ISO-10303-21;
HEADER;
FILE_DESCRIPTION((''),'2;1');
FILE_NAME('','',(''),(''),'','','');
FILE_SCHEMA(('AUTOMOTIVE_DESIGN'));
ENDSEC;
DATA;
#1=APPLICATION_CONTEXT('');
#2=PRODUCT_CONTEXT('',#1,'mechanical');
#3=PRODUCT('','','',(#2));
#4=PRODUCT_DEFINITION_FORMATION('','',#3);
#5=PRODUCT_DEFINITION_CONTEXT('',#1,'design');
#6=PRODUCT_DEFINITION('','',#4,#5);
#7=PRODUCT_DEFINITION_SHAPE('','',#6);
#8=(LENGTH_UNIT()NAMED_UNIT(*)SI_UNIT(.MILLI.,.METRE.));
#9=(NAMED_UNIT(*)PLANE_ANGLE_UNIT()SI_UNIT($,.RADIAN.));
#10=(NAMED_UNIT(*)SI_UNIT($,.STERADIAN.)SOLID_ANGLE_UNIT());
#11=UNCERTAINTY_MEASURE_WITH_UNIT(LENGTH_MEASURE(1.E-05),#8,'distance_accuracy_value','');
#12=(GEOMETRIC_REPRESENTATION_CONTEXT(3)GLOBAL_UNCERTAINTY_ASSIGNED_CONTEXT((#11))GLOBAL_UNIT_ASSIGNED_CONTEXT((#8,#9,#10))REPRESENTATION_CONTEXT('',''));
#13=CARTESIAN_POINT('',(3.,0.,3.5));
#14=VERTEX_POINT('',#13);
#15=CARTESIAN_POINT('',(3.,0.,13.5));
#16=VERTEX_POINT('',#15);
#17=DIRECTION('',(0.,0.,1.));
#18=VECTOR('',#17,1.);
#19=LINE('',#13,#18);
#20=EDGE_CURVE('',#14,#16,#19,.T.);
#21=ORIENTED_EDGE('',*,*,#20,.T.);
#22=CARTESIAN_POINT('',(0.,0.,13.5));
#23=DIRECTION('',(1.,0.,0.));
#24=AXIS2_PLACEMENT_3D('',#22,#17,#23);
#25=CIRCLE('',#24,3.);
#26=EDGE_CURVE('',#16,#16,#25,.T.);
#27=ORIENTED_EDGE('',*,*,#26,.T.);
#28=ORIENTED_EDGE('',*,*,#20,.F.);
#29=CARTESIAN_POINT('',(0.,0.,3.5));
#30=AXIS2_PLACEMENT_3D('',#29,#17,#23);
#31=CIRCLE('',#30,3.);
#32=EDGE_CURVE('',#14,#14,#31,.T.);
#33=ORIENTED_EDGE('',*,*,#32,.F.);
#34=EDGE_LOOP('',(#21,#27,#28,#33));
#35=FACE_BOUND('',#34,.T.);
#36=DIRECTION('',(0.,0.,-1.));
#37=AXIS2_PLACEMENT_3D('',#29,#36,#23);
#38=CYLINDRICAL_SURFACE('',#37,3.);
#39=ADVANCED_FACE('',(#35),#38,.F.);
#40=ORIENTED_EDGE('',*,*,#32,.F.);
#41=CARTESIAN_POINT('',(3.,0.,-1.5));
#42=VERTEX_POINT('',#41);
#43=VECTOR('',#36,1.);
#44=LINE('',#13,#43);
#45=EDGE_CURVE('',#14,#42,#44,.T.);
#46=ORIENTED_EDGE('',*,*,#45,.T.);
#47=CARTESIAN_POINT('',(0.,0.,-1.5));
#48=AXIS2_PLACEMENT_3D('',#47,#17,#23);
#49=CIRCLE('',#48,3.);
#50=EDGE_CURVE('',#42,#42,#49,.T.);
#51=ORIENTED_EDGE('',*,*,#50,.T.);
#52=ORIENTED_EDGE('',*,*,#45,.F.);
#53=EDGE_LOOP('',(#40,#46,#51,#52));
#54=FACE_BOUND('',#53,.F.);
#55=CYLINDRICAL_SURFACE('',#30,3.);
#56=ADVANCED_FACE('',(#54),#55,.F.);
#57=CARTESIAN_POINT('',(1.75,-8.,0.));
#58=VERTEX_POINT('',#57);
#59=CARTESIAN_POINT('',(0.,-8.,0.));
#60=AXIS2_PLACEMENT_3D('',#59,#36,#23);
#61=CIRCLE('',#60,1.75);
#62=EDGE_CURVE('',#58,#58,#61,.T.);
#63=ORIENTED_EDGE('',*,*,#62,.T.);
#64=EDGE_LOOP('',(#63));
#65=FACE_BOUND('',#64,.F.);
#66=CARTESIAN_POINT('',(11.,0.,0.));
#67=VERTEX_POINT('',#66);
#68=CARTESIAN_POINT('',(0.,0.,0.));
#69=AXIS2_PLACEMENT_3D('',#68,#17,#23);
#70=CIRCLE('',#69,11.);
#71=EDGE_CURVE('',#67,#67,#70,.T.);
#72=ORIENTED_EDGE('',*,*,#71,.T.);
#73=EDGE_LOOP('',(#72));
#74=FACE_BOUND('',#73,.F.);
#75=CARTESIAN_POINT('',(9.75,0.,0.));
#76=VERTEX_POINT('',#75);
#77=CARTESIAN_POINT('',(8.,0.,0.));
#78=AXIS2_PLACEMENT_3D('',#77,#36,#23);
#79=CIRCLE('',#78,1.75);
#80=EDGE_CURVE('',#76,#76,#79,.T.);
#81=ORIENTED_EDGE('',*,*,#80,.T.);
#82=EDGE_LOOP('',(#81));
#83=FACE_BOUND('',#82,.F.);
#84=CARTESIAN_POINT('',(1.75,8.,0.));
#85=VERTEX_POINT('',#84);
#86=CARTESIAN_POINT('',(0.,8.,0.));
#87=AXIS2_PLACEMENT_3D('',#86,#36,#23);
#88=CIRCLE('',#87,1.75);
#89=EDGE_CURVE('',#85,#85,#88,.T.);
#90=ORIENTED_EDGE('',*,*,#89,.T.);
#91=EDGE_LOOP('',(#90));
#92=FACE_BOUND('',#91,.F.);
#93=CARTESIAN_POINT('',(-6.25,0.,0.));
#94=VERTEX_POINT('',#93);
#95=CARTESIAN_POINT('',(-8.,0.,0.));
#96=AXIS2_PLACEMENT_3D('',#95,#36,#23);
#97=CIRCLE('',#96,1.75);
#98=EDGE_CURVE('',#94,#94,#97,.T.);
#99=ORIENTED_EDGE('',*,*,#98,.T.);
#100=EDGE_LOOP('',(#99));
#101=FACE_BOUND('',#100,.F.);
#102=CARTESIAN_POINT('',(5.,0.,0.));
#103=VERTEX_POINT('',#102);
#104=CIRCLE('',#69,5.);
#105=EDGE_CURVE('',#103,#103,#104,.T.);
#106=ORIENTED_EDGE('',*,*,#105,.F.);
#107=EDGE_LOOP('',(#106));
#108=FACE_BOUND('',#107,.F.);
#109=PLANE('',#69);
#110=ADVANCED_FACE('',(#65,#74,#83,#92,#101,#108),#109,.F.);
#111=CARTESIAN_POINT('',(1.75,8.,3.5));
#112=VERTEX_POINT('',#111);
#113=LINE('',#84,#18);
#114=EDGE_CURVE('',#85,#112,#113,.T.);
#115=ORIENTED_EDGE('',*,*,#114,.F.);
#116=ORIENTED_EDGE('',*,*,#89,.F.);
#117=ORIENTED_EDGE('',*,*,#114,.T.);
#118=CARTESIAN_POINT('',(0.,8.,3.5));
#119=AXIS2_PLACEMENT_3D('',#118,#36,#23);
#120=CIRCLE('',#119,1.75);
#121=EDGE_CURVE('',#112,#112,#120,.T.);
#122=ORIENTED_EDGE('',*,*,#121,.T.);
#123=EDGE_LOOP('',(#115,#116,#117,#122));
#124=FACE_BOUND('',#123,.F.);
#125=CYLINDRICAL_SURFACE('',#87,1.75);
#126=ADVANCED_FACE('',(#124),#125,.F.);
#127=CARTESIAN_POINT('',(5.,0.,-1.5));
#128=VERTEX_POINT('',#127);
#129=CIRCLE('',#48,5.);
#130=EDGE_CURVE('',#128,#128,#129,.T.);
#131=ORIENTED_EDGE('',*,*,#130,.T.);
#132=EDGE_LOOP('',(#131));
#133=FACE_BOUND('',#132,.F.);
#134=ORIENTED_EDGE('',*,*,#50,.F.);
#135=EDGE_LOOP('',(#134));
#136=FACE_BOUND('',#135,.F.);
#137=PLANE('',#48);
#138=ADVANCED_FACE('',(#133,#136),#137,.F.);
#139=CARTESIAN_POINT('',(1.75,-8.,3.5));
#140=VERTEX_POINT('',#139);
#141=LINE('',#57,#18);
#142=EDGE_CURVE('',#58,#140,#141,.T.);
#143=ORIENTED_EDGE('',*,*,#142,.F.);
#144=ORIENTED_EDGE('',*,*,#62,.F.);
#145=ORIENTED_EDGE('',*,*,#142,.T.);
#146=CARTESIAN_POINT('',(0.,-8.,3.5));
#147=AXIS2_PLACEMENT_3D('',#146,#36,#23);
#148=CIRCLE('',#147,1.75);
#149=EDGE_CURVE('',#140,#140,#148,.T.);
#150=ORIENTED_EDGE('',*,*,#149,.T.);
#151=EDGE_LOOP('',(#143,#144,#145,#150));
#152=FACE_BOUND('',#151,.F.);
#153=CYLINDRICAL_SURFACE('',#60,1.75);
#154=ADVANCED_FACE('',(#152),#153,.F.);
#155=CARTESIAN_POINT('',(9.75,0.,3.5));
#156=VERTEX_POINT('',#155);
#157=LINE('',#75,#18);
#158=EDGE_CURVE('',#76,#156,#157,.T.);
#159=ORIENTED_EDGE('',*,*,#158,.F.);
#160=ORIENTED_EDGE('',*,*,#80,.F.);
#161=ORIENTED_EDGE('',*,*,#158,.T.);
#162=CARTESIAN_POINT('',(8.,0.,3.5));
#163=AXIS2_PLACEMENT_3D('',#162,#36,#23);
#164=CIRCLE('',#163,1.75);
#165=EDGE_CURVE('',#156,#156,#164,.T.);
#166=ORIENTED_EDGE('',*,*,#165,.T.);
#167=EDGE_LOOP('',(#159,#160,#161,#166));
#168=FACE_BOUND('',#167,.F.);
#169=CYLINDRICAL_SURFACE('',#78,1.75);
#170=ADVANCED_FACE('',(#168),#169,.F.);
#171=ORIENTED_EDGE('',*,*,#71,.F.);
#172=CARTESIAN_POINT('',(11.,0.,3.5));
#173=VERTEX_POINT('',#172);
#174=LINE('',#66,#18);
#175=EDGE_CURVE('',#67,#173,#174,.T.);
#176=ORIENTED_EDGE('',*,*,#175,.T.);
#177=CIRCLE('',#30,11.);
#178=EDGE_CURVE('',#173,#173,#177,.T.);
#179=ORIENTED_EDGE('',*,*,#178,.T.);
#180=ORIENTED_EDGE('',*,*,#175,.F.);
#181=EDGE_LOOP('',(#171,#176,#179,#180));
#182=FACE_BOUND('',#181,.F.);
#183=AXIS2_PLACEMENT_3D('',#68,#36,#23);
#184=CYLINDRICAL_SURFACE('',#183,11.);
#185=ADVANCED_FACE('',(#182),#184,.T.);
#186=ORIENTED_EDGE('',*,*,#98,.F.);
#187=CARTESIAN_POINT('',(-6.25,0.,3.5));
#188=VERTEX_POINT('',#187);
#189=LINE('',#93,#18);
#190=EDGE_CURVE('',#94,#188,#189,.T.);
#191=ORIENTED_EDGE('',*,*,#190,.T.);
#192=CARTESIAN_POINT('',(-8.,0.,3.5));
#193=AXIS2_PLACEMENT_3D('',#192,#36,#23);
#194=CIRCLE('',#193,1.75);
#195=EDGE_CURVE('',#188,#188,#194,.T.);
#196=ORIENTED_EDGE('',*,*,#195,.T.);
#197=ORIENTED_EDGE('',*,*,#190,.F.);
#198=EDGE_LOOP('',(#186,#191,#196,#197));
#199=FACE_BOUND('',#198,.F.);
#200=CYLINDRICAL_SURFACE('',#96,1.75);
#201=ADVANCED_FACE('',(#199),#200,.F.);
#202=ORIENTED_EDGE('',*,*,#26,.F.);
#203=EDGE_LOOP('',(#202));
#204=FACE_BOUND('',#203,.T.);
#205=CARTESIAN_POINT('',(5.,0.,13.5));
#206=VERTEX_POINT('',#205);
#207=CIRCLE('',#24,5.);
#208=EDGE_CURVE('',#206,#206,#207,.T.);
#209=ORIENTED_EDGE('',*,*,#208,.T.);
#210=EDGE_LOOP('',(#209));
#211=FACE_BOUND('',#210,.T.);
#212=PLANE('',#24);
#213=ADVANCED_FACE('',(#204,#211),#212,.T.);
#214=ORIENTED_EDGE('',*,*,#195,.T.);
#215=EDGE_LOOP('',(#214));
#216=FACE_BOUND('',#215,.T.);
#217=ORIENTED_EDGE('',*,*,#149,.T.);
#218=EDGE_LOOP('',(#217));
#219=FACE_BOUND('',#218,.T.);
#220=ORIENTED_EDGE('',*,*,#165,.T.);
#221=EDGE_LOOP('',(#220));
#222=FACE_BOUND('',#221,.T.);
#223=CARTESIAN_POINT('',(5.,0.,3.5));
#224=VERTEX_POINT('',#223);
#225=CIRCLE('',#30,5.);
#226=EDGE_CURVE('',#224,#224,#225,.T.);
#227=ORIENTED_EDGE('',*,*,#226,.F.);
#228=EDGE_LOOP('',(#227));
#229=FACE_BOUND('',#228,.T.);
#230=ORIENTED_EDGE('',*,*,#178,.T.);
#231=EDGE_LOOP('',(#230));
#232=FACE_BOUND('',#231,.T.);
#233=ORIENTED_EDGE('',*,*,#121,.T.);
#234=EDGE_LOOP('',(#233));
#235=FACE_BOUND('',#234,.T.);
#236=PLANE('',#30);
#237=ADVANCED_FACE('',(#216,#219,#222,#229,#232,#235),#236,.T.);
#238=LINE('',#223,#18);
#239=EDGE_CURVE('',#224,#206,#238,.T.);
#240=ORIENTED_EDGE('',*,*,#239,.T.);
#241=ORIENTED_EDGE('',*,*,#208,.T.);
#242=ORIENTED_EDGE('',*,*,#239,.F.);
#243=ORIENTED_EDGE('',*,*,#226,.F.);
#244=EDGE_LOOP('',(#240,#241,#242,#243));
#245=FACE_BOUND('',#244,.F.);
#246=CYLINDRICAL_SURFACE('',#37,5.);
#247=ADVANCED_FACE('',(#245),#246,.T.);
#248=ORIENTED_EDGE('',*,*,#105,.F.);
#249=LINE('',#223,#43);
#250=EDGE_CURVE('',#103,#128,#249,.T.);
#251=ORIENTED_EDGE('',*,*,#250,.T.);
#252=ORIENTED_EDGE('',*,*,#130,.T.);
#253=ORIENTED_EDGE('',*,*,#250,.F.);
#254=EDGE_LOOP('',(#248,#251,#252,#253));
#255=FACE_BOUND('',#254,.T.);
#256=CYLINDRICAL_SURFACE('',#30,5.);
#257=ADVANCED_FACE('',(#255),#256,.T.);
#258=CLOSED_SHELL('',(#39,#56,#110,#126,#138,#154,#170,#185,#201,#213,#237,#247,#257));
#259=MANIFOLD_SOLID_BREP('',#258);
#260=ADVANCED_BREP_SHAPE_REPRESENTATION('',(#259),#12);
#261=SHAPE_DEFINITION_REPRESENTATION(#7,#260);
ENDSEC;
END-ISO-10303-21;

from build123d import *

# Parameters (mm, degrees)
F0_R     = 11
F0_R_2   = 4
F1_DEPTH = 3.5
F2_R     = 5
F2_R_2   = 3
F3_DEPTH = 10
F4_DEPTH = 5
F5_R     = 1.75
F6_DEPTH = 25


with BuildPart() as f1:
    # F0 (on Top) → F1 (new body)
    with BuildSketch(Plane.XY):
        Circle(F0_R)
        Circle(F0_R_2, mode=Mode.SUBTRACT)
    extrude(amount=F1_DEPTH)

    # F2 (on face) → F3 (join)
    with BuildSketch(Plane.XY.offset(3.5)):
        Circle(F2_R)
        Circle(F2_R_2, mode=Mode.SUBTRACT)
    extrude(amount=F3_DEPTH)

    # F2 (on face) → F4 (join)
    with BuildSketch(Plane.XY.offset(3.5)):
        Circle(F2_R)
        Circle(F2_R_2, mode=Mode.SUBTRACT)
    extrude(amount=-F4_DEPTH)

    # F5 (on face) → F6 (cut)
    with BuildSketch(Plane(origin=(0, 0, 0), x_dir=(1, 0, 0), z_dir=(0, 0, -1))):
        with Locations((-8, 0)):
            Circle(F5_R)
        with Locations((0, 8)):
            Circle(F5_R)
        with Locations((8, 0)):
            Circle(F5_R)
        with Locations((0, -8)):
            Circle(F5_R)
    extrude(amount=-F6_DEPTH, mode=Mode.SUBTRACT)


solid = f1.part
